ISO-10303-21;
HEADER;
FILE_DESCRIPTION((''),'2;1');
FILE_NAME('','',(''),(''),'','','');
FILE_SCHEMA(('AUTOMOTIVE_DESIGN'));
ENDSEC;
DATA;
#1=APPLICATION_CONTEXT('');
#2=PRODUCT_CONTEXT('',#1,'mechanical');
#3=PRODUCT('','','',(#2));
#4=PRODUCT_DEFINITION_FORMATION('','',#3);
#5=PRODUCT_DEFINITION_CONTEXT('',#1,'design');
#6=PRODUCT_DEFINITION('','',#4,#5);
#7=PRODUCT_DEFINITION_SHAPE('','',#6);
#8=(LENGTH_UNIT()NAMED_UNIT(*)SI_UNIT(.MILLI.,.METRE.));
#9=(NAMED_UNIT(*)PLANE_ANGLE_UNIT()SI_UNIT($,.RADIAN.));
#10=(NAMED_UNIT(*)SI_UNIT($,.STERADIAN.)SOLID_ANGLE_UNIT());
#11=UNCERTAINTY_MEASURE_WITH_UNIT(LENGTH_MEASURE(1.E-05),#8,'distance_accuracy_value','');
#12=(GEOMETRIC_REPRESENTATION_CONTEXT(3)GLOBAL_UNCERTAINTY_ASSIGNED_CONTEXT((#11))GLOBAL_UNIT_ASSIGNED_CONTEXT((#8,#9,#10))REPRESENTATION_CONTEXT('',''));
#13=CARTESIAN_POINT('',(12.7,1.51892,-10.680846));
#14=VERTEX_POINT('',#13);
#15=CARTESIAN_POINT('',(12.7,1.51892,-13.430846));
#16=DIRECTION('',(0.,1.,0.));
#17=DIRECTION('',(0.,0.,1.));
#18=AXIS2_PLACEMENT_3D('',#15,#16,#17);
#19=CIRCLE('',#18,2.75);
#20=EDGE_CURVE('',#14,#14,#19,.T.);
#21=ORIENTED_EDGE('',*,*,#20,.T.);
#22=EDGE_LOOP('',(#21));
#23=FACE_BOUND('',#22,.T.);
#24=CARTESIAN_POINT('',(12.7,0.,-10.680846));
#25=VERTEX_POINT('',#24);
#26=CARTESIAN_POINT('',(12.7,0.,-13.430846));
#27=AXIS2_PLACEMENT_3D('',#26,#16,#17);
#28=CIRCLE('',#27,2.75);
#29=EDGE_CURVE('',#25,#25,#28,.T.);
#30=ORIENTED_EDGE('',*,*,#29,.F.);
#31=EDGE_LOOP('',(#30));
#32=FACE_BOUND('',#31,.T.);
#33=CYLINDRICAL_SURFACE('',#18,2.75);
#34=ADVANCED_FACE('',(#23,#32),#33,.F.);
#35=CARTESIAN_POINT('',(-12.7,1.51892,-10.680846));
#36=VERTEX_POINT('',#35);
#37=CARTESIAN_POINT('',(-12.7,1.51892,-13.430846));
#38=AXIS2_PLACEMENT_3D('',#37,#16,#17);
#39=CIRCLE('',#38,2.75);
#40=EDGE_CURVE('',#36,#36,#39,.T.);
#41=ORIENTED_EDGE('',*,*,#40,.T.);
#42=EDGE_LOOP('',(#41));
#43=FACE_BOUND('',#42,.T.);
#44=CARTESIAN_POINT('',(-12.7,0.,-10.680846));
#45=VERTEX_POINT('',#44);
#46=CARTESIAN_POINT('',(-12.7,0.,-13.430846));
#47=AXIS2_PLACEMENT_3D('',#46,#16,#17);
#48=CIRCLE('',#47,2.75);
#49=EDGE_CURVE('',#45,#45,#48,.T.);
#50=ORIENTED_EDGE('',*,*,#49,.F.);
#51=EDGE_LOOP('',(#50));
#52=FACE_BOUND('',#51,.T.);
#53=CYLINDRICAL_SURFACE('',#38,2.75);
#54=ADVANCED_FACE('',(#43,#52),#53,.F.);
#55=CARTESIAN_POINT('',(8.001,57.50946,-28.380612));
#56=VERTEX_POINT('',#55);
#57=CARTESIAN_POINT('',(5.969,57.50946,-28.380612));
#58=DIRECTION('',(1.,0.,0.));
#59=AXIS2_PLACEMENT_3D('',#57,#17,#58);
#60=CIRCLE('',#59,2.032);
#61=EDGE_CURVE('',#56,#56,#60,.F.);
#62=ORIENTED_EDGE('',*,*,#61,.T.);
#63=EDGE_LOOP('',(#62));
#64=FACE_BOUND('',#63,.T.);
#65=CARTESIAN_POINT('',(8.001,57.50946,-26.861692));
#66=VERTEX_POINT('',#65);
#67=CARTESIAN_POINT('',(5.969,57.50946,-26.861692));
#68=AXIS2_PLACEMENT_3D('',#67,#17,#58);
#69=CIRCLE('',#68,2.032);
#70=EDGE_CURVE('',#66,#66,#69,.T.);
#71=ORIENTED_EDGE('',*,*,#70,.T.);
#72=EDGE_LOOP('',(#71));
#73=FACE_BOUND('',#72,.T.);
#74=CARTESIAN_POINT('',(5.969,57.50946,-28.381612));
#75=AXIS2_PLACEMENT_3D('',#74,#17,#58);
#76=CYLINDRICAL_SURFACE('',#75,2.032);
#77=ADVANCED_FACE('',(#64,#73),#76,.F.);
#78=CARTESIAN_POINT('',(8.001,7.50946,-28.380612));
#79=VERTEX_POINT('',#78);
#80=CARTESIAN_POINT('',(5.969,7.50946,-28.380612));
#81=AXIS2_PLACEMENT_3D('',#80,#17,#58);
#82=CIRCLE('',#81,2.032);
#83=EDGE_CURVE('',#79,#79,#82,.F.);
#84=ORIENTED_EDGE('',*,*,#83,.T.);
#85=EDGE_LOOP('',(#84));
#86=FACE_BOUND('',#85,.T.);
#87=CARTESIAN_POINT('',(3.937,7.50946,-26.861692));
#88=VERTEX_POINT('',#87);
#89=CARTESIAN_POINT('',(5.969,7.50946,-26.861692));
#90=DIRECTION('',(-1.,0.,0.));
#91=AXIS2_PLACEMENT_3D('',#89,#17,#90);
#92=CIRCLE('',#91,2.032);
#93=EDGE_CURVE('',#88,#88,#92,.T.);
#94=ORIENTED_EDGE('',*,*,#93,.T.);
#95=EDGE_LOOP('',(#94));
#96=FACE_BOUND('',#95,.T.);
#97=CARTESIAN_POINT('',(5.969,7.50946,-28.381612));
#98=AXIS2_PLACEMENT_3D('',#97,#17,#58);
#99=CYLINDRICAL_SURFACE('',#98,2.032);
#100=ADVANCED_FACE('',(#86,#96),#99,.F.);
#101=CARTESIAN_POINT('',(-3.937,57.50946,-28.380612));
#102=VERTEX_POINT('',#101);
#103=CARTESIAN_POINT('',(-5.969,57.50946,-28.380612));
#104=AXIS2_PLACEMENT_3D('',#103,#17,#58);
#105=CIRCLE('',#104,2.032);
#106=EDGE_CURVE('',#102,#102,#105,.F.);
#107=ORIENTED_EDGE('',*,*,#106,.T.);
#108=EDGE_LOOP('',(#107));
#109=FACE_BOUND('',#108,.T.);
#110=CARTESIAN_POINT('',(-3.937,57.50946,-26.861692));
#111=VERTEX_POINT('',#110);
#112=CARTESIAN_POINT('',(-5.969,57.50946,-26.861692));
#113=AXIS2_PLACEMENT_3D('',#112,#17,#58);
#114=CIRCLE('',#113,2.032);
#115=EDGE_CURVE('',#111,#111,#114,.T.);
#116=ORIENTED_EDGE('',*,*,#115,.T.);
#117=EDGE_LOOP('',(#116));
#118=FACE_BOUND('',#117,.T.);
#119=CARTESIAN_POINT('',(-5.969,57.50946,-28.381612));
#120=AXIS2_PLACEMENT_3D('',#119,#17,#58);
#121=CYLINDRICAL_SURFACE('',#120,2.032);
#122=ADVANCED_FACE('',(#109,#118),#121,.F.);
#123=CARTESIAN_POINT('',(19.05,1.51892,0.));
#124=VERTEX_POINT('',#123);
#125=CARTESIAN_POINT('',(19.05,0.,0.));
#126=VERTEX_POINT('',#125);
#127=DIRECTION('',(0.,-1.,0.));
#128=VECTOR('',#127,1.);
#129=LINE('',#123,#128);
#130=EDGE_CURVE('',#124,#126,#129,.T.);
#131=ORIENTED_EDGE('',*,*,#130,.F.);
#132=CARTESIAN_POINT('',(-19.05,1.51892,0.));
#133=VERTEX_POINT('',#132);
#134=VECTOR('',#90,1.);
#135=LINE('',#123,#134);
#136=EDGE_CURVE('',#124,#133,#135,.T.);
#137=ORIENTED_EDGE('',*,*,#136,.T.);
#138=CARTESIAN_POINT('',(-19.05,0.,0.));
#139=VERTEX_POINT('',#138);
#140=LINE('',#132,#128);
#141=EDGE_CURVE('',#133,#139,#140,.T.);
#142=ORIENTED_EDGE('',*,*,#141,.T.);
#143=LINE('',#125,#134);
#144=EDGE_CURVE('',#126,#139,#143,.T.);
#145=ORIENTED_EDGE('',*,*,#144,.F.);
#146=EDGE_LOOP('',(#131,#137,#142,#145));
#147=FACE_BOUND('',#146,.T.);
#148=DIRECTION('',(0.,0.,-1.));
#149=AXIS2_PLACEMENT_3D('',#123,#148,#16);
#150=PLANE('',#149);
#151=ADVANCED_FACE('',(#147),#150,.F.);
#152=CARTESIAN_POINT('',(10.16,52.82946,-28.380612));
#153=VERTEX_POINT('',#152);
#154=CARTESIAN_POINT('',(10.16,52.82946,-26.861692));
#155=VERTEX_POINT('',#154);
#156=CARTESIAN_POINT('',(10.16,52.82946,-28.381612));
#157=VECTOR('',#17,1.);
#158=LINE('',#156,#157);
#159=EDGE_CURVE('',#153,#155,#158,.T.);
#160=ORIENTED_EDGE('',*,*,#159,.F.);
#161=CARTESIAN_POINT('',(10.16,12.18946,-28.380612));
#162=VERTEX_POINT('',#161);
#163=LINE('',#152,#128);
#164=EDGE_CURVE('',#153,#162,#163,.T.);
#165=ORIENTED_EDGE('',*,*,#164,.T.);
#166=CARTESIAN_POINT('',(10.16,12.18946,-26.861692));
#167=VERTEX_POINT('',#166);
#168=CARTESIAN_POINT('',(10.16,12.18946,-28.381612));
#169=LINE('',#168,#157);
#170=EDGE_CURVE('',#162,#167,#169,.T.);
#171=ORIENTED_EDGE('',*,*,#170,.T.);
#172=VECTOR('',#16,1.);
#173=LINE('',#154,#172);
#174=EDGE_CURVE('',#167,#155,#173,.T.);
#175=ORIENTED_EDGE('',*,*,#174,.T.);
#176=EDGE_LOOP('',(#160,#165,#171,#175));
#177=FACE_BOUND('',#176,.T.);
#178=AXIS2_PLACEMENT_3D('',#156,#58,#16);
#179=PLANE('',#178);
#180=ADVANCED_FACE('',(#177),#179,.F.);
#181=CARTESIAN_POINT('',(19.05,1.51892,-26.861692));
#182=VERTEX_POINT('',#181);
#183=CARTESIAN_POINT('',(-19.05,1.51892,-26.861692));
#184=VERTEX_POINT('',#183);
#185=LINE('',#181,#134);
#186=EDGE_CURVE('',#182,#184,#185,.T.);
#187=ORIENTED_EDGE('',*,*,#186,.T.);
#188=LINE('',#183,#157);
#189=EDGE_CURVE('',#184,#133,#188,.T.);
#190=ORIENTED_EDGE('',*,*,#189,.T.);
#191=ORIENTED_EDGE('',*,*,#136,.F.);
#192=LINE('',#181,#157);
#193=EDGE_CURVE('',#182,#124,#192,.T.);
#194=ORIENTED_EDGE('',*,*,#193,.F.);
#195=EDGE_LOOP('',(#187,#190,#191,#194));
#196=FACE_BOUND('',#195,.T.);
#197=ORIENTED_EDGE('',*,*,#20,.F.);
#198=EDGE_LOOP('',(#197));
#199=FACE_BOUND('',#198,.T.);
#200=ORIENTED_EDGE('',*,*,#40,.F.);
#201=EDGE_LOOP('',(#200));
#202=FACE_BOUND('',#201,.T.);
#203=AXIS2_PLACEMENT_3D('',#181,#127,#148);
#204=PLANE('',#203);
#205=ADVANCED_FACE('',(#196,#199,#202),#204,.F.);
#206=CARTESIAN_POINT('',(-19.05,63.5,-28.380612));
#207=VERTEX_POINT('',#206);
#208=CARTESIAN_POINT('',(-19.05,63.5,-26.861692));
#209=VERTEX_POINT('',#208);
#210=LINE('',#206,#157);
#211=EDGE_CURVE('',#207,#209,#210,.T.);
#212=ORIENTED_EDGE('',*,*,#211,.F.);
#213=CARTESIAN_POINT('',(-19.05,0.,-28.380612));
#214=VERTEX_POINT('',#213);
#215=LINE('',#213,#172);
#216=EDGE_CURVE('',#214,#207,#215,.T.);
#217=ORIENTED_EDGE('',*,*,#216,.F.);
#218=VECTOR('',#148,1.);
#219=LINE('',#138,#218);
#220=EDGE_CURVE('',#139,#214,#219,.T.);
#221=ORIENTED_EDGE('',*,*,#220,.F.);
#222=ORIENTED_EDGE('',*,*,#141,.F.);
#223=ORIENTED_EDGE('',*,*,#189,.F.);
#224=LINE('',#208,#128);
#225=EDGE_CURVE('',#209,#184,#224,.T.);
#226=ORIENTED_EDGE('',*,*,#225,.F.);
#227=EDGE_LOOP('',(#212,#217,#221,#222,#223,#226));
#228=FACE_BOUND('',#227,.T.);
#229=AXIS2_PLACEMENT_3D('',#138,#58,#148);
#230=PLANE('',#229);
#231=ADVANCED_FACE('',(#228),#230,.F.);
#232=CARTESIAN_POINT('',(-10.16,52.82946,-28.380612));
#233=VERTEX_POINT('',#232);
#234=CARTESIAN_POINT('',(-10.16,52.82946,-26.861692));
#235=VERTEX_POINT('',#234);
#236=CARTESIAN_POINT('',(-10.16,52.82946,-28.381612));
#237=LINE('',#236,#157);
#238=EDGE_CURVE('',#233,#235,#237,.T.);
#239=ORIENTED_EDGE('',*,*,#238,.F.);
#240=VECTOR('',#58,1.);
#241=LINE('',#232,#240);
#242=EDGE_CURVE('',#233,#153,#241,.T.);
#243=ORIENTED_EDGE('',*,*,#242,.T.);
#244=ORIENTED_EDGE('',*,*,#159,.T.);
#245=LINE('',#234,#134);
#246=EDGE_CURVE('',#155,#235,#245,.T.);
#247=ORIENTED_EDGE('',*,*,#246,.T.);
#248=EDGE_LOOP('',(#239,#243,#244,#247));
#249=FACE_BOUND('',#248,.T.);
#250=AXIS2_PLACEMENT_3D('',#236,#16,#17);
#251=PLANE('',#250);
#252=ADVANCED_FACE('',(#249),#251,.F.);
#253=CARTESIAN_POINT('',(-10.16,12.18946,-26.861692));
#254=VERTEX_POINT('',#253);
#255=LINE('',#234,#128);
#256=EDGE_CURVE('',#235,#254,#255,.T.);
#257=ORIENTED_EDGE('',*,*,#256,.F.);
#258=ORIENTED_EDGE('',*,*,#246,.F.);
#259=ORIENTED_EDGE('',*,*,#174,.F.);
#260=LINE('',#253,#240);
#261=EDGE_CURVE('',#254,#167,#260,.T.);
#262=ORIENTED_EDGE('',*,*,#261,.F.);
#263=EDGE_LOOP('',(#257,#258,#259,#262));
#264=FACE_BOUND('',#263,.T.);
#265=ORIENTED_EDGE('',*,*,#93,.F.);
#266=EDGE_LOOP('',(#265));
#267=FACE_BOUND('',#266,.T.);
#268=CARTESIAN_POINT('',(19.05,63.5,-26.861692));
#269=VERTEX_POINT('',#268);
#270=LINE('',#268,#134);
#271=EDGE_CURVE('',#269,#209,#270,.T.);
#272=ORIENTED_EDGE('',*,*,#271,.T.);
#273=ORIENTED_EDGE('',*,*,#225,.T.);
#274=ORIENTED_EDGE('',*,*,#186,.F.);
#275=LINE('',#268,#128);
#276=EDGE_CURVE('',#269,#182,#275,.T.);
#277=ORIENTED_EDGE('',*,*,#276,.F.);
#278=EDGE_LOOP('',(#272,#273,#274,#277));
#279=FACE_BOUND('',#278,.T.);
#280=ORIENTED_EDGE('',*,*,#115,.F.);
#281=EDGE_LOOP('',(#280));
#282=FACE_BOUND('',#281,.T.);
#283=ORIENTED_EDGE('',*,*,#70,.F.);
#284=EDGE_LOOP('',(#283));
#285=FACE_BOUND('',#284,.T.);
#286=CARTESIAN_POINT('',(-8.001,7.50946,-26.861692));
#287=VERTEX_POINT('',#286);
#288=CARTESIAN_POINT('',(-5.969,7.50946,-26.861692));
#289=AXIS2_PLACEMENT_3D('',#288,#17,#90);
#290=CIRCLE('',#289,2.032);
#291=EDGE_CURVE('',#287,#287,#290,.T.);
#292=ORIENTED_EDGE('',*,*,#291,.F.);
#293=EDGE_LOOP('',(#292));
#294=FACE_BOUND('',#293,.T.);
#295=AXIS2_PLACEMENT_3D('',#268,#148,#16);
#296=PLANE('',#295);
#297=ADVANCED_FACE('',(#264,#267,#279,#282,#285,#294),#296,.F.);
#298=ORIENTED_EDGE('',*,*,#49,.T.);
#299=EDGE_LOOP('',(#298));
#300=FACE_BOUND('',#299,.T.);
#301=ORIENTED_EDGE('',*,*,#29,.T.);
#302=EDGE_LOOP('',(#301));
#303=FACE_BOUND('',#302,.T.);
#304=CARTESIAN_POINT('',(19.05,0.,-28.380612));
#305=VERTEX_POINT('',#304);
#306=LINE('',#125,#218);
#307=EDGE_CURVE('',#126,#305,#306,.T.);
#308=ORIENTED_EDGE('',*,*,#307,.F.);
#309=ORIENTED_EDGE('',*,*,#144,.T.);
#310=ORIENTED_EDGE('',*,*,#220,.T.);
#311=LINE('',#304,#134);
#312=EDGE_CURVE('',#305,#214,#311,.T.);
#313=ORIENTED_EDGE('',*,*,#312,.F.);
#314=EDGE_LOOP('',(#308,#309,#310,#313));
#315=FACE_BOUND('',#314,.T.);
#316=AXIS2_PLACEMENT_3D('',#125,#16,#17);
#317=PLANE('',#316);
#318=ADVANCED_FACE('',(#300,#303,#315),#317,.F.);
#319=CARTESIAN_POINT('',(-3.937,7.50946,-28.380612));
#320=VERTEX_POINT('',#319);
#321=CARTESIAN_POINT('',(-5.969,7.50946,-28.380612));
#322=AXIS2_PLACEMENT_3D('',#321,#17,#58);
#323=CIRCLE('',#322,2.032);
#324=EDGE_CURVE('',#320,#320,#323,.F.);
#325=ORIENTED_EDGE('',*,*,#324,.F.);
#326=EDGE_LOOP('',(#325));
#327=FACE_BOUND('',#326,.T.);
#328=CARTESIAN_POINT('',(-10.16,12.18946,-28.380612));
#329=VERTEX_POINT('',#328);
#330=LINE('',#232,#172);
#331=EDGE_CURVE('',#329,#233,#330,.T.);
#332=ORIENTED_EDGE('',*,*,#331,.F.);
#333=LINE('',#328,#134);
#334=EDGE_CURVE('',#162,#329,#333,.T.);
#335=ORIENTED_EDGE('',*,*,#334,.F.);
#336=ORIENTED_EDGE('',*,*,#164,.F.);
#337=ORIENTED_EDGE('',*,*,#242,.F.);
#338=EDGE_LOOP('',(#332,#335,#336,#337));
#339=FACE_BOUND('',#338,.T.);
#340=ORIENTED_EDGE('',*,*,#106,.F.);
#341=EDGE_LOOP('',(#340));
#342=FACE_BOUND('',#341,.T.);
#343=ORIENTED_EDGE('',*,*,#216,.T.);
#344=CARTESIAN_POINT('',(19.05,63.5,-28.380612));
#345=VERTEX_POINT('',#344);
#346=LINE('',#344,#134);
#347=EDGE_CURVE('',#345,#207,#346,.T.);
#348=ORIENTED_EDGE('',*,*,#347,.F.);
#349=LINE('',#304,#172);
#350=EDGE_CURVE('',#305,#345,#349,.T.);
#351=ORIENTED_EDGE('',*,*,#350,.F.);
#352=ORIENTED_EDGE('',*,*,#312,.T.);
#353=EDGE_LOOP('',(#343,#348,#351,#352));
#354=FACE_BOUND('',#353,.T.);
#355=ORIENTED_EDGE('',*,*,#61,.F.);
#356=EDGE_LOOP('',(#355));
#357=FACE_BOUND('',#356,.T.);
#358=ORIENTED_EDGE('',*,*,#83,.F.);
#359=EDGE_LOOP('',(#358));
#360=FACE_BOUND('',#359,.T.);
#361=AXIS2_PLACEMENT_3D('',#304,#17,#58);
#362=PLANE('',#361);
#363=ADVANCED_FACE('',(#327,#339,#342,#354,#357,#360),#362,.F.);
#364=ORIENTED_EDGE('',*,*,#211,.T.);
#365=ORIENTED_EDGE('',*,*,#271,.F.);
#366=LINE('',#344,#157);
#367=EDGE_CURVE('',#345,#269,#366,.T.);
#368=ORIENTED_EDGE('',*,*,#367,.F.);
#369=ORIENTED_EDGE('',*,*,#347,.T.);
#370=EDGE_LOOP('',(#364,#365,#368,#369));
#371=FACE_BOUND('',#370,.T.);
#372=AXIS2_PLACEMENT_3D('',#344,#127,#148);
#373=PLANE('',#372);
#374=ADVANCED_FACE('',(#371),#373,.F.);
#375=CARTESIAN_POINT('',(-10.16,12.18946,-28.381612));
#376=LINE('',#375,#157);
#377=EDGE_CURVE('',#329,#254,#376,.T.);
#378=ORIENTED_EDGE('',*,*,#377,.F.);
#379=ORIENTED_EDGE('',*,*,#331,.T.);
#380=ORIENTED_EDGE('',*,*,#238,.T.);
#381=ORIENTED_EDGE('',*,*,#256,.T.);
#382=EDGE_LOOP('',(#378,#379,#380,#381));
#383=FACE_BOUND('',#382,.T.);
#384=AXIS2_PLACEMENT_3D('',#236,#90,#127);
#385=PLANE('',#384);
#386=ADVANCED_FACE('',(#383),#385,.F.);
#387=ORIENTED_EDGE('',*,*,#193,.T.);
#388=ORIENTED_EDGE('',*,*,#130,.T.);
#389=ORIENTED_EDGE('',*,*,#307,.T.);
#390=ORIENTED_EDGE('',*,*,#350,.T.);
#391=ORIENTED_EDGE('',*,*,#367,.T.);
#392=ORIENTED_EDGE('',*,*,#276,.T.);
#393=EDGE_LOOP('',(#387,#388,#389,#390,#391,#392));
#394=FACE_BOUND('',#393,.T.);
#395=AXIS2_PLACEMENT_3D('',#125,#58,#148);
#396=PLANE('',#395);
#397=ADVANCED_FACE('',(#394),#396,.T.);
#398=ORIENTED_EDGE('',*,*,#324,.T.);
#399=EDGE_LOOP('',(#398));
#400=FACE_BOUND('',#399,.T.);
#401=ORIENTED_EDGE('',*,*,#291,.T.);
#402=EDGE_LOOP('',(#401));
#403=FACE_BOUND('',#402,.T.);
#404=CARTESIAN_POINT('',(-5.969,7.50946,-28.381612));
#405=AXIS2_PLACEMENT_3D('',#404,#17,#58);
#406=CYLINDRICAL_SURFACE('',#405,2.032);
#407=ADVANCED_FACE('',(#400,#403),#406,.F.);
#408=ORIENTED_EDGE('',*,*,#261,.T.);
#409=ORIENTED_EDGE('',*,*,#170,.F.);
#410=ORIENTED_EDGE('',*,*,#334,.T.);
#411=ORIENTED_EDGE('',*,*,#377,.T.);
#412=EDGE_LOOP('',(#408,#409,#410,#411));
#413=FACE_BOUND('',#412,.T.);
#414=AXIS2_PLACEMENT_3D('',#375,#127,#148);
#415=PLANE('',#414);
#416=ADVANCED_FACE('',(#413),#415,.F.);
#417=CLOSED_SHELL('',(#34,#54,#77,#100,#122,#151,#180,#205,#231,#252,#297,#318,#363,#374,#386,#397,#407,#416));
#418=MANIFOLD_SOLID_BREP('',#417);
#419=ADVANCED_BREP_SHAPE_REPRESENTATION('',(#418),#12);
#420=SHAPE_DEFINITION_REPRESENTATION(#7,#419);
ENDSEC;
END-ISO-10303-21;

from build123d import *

# Parameters (mm, degrees)
BOSS_EXTRUDE1_DEPTH  = 19.05
M5_CLEARANCE_HOLE1_D = 5.5
CUT_EXTRUDE1_REACH   = 3.519
SKETCH5_W            = 20.32
SKETCH5_H            = 40.64
CUT_EXTRUDE2_REACH   = 3.519
SKETCH6_R            = 2.032


with BuildPart() as part:
    # Sketch1 → Boss-Extrude1 (new body, symmetric)
    with BuildSketch(Plane(origin=(0, 0, 0), x_dir=(0, 0, -1), z_dir=(1, 0, 0))):
        Polygon((0, 0), (28.380612245, 0), (28.380612245, 63.5), (26.861692245, 63.5), (26.861692245, 1.51892), (0, 1.51892), align=None)
    extrude(amount=BOSS_EXTRUDE1_DEPTH, both=True)

    # M5 Clearance Hole1 (through all)
    with Locations(Plane(origin=(0, 1.51892, 0), x_dir=(1, 0, 0), z_dir=(0, 1, 0))):
        with Locations((-12.7, 13.430846122), (12.7, 13.430846122)):
            Hole(M5_CLEARANCE_HOLE1_D / 2)

    # Sketch5 → Cut-Extrude1 (cut, up to next)
    with BuildSketch(Plane.XY.offset(-26.861692245), mode=Mode.PRIVATE) as cut_extrude1_sk1:
        with Locations((0, 32.50946)):
            Rectangle(SKETCH5_W, SKETCH5_H)
    cut_extrude1_tool1 = extrude(cut_extrude1_sk1.sketch, amount=-CUT_EXTRUDE1_REACH, mode=Mode.PRIVATE) & part.part
    add(cut_extrude1_tool1.solids().sort_by_distance((0, 32.50946, -26.861692))[0], mode=Mode.SUBTRACT)

    # Sketch6 → Cut-Extrude2 (cut, up to next)
    with BuildSketch(Plane.XY.offset(-26.861692245), mode=Mode.PRIVATE) as cut_extrude2_sk1:
        with Locations((-5.969, 57.50946)):
            Circle(SKETCH6_R)
    cut_extrude2_tool1 = extrude(cut_extrude2_sk1.sketch, amount=-CUT_EXTRUDE2_REACH, mode=Mode.PRIVATE) & part.part
    add(cut_extrude2_tool1.solids().sort_by_distance((-5.969, 57.50946, -26.861692))[0], mode=Mode.SUBTRACT)
    # Sketch6 → Cut-Extrude2 (cut, up to next)
    with BuildSketch(Plane.XY.offset(-26.861692245), mode=Mode.PRIVATE) as cut_extrude2_sk2:
        with Locations((5.969, 57.50946)):
            Circle(SKETCH6_R)
    cut_extrude2_tool2 = extrude(cut_extrude2_sk2.sketch, amount=-CUT_EXTRUDE2_REACH, mode=Mode.PRIVATE) & part.part
    add(cut_extrude2_tool2.solids().sort_by_distance((5.969, 57.50946, -26.861692))[0], mode=Mode.SUBTRACT)
    # Sketch6 → Cut-Extrude2 (cut, up to next)
    with BuildSketch(Plane.XY.offset(-26.861692245), mode=Mode.PRIVATE) as cut_extrude2_sk3:
        with Locations((-5.969, 7.50946)):
            Circle(SKETCH6_R)
    cut_extrude2_tool3 = extrude(cut_extrude2_sk3.sketch, amount=-CUT_EXTRUDE2_REACH, mode=Mode.PRIVATE) & part.part
    add(cut_extrude2_tool3.solids().sort_by_distance((-5.969, 7.50946, -26.861692))[0], mode=Mode.SUBTRACT)
    # Sketch6 → Cut-Extrude2 (cut, up to next)
    with BuildSketch(Plane.XY.offset(-26.861692245), mode=Mode.PRIVATE) as cut_extrude2_sk4:
        with Locations((5.969, 7.50946)):
            Circle(SKETCH6_R)
    cut_extrude2_tool4 = extrude(cut_extrude2_sk4.sketch, amount=-CUT_EXTRUDE2_REACH, mode=Mode.PRIVATE) & part.part
    add(cut_extrude2_tool4.solids().sort_by_distance((5.969, 7.50946, -26.861692))[0], mode=Mode.SUBTRACT)


solid = part.part
